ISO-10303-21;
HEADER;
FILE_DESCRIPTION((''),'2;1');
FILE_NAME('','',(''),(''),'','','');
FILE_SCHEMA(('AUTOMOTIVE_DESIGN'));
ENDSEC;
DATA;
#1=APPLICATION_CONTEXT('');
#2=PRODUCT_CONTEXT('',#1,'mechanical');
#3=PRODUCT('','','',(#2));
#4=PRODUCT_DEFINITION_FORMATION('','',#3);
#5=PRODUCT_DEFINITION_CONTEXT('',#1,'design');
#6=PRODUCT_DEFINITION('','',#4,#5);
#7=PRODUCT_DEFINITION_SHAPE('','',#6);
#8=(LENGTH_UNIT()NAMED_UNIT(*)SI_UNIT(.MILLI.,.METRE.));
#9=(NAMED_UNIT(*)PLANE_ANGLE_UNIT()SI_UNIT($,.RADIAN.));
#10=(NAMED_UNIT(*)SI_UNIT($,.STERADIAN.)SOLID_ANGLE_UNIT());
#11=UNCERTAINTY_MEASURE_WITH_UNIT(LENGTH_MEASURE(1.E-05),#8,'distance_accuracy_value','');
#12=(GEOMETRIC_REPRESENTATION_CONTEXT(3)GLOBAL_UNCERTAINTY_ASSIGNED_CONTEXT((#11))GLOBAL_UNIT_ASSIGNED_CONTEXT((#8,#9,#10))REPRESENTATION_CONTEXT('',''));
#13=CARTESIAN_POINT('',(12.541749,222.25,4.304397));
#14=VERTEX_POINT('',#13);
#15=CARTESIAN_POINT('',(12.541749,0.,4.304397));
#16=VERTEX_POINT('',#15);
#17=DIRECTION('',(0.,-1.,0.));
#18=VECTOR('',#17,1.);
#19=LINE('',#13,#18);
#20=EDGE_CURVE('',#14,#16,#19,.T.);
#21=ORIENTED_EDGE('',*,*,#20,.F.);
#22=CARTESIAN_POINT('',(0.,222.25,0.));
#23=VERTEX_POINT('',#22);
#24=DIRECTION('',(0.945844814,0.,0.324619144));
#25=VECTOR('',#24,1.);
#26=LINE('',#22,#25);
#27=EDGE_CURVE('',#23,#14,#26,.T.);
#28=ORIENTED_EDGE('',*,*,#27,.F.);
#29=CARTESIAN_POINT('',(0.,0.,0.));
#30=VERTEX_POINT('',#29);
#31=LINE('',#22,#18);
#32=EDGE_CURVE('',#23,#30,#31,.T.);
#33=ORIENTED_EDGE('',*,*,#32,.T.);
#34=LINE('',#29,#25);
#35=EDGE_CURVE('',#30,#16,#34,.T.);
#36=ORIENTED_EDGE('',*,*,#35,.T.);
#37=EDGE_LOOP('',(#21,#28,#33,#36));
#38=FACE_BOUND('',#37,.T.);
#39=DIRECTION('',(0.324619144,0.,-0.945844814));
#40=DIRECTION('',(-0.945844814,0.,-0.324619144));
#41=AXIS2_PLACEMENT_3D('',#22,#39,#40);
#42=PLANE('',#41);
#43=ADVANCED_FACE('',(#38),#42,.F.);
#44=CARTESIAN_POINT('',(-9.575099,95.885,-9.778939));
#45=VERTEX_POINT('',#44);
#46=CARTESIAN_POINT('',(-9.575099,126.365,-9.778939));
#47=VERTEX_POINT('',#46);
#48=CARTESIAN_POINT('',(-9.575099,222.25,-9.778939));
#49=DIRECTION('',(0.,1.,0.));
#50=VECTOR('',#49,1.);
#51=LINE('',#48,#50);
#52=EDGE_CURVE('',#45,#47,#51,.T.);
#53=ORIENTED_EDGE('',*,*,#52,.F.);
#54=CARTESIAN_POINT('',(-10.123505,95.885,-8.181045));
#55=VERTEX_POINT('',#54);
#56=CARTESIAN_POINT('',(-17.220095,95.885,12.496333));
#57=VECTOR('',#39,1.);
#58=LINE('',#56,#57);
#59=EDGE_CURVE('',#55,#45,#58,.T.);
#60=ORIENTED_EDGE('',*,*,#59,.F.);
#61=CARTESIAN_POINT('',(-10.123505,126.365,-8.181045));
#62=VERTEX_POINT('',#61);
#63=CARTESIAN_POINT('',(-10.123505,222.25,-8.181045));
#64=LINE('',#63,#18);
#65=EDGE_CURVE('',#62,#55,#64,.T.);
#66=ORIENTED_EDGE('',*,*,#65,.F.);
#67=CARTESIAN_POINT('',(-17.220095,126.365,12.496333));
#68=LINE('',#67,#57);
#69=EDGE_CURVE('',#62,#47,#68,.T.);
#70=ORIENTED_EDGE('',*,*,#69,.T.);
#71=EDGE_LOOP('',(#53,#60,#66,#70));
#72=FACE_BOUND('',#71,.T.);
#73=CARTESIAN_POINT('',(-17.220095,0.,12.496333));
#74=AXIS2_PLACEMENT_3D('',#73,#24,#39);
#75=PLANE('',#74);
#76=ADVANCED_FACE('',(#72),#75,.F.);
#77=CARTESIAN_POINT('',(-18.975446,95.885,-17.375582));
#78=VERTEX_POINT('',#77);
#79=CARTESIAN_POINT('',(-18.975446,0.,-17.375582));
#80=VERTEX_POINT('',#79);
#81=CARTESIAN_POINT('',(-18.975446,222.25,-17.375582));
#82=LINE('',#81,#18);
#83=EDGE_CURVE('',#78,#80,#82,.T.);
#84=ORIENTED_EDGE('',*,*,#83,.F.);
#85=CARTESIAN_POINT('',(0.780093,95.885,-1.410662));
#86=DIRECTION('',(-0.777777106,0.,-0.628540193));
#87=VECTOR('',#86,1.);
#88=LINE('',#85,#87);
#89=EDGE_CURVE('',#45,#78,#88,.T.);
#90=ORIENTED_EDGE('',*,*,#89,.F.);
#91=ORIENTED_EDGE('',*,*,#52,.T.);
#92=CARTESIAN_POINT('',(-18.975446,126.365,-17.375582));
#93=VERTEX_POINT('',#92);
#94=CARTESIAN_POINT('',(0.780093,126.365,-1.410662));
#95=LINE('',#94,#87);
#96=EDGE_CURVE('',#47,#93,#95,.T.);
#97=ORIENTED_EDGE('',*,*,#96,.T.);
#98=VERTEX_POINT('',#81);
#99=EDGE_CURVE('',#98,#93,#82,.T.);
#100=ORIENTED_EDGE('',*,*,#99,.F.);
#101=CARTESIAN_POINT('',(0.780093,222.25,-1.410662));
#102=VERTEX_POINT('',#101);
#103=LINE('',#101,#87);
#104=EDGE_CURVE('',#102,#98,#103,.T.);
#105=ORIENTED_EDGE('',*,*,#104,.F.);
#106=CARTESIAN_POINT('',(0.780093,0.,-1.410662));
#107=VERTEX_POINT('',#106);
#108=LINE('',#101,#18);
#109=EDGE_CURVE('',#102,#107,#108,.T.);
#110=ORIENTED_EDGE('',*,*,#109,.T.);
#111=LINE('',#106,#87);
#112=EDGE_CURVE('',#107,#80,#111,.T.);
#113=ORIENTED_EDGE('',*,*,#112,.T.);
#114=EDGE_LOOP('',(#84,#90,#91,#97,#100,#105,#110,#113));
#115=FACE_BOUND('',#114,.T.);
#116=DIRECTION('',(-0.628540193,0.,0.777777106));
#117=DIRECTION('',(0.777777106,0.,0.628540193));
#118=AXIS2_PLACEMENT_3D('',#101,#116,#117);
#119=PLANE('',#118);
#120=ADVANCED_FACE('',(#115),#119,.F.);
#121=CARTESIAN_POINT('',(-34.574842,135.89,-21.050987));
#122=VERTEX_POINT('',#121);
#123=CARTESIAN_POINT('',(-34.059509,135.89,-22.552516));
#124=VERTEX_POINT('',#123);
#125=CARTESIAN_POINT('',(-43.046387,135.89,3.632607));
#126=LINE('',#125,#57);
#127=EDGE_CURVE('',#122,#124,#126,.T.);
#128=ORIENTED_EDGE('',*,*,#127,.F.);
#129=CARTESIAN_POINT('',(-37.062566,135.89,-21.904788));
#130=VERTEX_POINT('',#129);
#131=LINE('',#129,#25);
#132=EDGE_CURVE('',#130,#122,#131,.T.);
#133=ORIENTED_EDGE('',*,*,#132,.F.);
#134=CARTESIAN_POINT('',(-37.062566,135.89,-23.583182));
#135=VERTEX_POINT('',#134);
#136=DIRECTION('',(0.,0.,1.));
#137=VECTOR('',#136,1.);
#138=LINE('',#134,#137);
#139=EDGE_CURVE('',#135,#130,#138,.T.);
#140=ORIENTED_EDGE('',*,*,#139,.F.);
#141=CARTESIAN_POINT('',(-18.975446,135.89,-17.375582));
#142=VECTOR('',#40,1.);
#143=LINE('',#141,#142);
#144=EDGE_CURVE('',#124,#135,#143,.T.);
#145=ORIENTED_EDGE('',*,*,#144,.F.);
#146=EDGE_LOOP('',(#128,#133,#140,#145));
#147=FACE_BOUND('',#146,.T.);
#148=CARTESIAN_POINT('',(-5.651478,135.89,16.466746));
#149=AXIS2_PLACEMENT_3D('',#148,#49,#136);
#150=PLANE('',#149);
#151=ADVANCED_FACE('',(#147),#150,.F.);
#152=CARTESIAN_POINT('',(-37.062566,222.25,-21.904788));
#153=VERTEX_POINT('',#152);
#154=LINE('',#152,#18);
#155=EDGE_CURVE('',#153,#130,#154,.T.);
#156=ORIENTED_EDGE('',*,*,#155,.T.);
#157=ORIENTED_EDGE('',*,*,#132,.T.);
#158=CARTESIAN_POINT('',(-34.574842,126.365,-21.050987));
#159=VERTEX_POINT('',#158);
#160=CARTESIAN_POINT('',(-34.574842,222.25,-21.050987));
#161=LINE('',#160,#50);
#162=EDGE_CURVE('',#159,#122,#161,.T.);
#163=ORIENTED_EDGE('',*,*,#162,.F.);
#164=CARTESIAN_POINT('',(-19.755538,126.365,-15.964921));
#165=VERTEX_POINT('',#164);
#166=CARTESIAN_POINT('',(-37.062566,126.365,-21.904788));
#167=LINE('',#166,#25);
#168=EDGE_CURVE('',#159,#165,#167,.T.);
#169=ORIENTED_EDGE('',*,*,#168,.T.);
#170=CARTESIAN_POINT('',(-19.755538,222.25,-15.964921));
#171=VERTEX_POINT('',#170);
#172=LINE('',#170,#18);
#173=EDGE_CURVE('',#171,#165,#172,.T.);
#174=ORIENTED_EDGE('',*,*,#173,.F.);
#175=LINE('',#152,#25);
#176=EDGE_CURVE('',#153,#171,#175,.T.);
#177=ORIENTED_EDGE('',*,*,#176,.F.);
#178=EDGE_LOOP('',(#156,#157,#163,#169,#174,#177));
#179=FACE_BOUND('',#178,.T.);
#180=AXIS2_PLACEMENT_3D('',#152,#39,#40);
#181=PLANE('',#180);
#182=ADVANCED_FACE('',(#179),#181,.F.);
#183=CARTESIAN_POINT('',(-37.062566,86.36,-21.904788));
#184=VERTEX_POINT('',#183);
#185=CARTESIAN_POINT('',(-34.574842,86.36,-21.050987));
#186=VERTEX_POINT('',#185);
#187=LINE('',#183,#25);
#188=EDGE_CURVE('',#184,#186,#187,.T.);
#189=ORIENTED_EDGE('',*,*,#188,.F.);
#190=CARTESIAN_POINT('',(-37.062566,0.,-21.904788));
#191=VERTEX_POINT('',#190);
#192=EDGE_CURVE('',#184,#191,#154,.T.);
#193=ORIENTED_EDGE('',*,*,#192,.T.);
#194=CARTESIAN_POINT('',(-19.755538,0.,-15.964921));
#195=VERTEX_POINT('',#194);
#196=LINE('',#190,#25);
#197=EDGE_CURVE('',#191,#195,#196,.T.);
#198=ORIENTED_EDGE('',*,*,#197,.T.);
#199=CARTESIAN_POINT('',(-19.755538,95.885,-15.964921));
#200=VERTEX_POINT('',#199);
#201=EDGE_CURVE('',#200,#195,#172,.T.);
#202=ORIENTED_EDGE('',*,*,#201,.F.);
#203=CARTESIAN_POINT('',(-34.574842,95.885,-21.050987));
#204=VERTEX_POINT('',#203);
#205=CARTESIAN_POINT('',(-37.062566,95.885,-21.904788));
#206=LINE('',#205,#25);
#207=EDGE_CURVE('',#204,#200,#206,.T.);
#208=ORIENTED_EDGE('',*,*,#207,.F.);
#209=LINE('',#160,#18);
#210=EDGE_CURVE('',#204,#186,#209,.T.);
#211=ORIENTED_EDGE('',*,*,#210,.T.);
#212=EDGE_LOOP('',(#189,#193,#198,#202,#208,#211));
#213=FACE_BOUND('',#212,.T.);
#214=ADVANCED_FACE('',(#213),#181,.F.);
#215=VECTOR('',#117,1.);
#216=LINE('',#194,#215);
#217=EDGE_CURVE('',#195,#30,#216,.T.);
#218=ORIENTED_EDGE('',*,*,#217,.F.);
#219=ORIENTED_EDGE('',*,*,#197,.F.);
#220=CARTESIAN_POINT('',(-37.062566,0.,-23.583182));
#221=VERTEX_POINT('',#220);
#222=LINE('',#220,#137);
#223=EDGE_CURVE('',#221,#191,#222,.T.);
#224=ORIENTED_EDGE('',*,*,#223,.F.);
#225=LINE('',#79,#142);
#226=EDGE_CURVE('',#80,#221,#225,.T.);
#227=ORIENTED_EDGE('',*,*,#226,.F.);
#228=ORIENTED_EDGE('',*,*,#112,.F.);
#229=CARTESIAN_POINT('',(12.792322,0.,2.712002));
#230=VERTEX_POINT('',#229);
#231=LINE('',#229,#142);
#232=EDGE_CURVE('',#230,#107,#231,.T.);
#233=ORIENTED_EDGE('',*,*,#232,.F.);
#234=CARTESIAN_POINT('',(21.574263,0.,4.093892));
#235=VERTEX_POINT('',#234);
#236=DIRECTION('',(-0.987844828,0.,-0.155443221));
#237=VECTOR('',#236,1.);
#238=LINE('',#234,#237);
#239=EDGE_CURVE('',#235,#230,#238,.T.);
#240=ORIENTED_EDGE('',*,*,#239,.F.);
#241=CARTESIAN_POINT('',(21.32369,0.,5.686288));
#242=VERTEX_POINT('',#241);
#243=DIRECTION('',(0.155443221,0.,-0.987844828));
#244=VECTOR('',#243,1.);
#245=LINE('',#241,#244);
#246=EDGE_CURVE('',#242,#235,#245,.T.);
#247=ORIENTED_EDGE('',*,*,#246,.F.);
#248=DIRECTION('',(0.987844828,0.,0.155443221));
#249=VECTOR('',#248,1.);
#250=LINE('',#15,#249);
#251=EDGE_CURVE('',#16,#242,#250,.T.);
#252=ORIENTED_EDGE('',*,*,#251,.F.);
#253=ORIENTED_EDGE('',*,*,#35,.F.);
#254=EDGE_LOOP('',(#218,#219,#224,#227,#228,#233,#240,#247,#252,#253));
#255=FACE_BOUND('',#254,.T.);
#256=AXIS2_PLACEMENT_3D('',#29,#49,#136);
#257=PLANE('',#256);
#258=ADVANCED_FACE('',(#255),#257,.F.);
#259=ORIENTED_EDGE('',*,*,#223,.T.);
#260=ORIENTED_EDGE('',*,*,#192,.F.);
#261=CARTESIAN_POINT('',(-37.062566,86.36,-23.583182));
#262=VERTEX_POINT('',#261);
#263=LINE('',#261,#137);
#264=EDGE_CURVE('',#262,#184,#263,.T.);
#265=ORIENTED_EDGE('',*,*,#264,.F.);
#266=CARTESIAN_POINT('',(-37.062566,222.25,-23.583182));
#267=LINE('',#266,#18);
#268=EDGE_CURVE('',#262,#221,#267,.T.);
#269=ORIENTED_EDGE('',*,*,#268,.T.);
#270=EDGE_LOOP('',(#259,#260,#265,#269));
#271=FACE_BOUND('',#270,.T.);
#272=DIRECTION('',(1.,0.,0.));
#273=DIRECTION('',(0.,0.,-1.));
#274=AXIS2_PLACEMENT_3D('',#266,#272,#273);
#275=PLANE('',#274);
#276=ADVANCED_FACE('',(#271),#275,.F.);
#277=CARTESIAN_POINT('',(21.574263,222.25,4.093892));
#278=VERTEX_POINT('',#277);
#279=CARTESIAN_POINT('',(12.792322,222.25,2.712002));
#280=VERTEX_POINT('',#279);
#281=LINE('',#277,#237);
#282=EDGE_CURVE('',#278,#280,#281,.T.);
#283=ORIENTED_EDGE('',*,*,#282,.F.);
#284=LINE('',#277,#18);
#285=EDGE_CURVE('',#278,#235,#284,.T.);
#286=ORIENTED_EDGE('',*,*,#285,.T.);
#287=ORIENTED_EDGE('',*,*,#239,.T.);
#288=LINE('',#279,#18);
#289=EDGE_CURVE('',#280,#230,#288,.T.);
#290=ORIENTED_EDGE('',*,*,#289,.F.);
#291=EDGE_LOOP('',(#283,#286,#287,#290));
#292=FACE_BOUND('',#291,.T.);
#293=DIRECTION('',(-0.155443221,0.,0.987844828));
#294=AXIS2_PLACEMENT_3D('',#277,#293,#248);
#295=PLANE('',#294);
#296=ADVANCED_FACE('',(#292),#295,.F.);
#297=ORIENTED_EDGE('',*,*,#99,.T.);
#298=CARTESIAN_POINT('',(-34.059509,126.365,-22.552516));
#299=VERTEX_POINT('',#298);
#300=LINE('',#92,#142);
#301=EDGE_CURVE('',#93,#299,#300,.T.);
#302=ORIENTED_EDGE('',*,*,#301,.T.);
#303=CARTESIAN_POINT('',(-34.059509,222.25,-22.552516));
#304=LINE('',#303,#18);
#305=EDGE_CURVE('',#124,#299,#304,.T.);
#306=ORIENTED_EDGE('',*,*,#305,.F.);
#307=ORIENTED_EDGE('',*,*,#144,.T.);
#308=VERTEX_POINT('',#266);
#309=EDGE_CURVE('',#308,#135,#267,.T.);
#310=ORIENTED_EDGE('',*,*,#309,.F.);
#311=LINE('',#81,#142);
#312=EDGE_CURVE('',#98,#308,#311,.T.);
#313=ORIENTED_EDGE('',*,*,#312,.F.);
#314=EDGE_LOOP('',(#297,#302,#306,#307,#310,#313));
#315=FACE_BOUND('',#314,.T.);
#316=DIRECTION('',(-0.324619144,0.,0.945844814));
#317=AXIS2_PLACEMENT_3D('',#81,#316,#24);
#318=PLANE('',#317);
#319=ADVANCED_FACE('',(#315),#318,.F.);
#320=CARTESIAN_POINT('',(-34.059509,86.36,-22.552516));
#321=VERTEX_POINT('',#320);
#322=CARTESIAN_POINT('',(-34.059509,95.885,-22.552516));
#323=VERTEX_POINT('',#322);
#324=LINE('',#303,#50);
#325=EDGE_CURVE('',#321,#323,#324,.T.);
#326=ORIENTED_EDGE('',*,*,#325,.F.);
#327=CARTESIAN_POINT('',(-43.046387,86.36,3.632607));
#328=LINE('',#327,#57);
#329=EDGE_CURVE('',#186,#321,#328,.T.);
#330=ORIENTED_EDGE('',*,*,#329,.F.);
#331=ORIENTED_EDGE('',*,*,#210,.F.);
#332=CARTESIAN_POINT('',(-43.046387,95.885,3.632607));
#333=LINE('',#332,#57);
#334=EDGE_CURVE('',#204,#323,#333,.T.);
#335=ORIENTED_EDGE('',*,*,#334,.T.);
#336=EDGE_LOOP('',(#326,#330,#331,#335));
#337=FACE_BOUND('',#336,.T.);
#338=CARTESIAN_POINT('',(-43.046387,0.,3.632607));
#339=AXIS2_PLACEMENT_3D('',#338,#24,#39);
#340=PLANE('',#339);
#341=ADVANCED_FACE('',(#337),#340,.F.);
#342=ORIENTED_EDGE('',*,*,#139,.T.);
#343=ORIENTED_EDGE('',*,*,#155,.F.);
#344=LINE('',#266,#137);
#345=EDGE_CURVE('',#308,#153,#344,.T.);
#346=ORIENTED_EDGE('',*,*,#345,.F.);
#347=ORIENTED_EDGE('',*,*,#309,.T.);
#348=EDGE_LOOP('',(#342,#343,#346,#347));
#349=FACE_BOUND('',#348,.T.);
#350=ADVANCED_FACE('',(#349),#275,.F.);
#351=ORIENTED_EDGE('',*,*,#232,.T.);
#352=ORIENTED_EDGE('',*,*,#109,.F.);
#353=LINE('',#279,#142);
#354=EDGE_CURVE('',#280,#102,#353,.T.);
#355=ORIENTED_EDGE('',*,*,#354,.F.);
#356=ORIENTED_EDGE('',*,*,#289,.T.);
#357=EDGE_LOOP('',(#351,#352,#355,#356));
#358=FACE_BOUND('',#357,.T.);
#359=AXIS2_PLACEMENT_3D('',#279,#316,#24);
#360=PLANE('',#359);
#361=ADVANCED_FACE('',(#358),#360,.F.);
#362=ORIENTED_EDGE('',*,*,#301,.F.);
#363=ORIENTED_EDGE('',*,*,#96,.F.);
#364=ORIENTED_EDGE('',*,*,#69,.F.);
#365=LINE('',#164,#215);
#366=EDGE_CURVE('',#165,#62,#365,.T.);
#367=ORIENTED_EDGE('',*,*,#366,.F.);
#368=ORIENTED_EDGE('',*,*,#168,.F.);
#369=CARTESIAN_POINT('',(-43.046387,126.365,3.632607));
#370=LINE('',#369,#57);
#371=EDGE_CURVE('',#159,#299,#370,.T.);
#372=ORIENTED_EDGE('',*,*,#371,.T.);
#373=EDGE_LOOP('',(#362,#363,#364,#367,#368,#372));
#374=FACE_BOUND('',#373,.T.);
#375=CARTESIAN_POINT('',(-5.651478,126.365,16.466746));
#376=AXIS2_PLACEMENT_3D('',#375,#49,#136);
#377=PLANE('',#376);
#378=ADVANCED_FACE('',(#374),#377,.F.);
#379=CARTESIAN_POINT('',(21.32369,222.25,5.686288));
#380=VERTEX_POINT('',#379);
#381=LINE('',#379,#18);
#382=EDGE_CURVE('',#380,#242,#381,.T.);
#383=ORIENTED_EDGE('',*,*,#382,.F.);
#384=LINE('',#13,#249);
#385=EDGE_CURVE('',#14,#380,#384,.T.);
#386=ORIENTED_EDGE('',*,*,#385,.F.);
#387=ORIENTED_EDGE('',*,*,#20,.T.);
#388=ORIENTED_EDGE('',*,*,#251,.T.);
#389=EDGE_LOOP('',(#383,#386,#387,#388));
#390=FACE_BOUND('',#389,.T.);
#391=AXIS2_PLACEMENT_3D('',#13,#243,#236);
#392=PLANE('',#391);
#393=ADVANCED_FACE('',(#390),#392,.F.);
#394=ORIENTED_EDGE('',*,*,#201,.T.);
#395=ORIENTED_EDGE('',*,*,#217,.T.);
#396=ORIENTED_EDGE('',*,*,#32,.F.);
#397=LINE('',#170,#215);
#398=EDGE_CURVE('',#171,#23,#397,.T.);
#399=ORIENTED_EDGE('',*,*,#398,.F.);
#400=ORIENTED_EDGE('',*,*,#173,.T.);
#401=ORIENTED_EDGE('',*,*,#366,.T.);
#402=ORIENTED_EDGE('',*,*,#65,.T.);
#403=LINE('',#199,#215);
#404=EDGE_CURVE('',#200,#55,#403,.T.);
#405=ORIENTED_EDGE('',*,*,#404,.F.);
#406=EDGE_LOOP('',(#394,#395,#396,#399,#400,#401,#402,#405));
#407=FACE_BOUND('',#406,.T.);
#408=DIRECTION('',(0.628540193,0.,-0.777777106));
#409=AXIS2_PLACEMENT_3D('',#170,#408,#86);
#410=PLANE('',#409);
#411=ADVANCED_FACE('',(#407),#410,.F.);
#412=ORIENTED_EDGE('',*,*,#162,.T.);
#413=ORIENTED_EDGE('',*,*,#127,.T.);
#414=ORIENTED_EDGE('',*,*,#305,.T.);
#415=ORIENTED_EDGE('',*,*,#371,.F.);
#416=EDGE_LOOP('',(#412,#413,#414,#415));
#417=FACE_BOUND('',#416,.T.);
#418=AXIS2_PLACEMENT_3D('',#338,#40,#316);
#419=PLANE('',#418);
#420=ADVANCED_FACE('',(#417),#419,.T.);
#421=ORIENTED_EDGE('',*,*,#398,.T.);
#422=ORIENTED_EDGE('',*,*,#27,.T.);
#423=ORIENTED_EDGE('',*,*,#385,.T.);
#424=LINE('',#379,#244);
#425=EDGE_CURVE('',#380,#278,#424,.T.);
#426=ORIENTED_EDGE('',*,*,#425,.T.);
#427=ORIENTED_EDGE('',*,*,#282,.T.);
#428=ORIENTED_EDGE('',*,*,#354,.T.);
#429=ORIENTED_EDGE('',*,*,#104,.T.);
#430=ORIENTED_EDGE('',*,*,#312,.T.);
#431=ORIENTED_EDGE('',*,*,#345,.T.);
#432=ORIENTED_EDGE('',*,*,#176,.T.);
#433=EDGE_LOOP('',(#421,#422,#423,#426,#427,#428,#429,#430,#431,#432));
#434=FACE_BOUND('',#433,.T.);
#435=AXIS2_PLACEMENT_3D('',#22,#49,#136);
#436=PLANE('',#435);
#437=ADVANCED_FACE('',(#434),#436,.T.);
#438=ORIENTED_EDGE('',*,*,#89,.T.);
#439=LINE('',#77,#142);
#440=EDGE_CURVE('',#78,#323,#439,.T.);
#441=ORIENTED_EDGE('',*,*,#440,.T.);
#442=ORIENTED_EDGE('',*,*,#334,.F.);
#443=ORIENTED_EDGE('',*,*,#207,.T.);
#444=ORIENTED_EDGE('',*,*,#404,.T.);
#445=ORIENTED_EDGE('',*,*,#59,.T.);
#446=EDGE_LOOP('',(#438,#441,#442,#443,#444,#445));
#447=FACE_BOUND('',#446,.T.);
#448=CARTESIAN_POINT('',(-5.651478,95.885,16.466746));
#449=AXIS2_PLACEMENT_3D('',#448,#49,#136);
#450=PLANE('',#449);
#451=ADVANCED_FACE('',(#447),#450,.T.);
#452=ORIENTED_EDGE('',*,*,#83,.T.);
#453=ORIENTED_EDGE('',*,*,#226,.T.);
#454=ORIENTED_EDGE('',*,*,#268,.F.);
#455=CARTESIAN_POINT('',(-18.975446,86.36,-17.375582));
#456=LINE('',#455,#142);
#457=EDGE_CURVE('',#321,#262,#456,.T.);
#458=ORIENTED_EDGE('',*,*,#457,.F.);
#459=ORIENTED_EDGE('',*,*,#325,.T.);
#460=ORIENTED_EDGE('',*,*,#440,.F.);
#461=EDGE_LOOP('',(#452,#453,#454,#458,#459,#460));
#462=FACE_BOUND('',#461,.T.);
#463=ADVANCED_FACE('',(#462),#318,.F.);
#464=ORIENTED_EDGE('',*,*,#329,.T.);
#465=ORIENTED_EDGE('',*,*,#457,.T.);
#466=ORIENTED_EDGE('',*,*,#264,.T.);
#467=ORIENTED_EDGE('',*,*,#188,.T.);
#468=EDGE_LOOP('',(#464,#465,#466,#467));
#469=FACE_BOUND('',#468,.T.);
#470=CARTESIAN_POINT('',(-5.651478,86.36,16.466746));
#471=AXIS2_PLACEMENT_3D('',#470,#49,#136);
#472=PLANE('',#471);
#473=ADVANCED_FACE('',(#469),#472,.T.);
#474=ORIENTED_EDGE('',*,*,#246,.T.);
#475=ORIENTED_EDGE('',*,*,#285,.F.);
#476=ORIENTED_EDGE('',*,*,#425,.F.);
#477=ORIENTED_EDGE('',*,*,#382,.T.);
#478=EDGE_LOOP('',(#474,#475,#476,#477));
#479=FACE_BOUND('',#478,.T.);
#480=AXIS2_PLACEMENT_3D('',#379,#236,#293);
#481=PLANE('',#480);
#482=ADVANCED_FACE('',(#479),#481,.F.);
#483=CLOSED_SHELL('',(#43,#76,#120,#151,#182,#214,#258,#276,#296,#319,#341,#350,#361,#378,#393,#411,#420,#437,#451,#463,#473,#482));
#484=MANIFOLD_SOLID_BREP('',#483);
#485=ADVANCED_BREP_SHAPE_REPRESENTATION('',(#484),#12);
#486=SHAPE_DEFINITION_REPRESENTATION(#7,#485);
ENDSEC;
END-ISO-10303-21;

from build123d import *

# Parameters (mm, degrees)
BOSS_EXTRUDE2_DEPTH     = 222.25
SKETCH4_W               = 3.175
SKETCH4_H               = 9.525
SKETCH4_W_2             = 11.35728502
SKETCH4_H_2             = 30.48
CUT_EXTRUDE2_DEPTH      = 20.034637206
CUT_EXTRUDE2_DEPTH_BACK = 28.684375793


with BuildPart() as part:
    # Sketch3 → Boss-Extrude2 (new body)
    with BuildSketch(Plane(origin=(0, 0, 0), x_dir=(1, 0, 0), z_dir=(0, 1, 0))):
        Polygon((-37.062566366, 21.904788086), (-19.755538483, 15.964920897), (0, 0), (12.541749156, -4.304397313), (21.323689681, -5.686287551), (21.57426256, -4.093891817), (12.792322036, -2.712001578), (0.780092903, 1.410661549), (-18.975445581, 17.375582446), (-37.062566366, 23.583181811), align=None)
    extrude(amount=BOSS_EXTRUDE2_DEPTH)

    # Sketch4 → Cut-Extrude2 (cut, two sides)
    with BuildSketch(Plane(origin=(3.335400558, 0, -9.718377301), x_dir=(-0.945844814, 0, -0.324619144), z_dir=(0.324619144, 0, -0.945844814))) as cut_extrude2_sk:
        with Locations((41.123488466, 131.1275)):
            Rectangle(SKETCH4_W, SKETCH4_H)
        Polygon((42.710988466, 95.885), (42.710988466, 126.365), (39.535988466, 126.365), (23.588273486, 126.365), (23.588273486, 95.885), (39.535988466, 95.885), align=None)
        with Locations((41.123488466, 91.1225)):
            Rectangle(SKETCH4_W, SKETCH4_H)
        with Locations((17.909630976, 111.125)):
            Rectangle(SKETCH4_W_2, SKETCH4_H_2)
    extrude(amount=CUT_EXTRUDE2_DEPTH, mode=Mode.SUBTRACT)
    extrude(cut_extrude2_sk.sketch, amount=-CUT_EXTRUDE2_DEPTH_BACK, mode=Mode.SUBTRACT)


solid = part.part
